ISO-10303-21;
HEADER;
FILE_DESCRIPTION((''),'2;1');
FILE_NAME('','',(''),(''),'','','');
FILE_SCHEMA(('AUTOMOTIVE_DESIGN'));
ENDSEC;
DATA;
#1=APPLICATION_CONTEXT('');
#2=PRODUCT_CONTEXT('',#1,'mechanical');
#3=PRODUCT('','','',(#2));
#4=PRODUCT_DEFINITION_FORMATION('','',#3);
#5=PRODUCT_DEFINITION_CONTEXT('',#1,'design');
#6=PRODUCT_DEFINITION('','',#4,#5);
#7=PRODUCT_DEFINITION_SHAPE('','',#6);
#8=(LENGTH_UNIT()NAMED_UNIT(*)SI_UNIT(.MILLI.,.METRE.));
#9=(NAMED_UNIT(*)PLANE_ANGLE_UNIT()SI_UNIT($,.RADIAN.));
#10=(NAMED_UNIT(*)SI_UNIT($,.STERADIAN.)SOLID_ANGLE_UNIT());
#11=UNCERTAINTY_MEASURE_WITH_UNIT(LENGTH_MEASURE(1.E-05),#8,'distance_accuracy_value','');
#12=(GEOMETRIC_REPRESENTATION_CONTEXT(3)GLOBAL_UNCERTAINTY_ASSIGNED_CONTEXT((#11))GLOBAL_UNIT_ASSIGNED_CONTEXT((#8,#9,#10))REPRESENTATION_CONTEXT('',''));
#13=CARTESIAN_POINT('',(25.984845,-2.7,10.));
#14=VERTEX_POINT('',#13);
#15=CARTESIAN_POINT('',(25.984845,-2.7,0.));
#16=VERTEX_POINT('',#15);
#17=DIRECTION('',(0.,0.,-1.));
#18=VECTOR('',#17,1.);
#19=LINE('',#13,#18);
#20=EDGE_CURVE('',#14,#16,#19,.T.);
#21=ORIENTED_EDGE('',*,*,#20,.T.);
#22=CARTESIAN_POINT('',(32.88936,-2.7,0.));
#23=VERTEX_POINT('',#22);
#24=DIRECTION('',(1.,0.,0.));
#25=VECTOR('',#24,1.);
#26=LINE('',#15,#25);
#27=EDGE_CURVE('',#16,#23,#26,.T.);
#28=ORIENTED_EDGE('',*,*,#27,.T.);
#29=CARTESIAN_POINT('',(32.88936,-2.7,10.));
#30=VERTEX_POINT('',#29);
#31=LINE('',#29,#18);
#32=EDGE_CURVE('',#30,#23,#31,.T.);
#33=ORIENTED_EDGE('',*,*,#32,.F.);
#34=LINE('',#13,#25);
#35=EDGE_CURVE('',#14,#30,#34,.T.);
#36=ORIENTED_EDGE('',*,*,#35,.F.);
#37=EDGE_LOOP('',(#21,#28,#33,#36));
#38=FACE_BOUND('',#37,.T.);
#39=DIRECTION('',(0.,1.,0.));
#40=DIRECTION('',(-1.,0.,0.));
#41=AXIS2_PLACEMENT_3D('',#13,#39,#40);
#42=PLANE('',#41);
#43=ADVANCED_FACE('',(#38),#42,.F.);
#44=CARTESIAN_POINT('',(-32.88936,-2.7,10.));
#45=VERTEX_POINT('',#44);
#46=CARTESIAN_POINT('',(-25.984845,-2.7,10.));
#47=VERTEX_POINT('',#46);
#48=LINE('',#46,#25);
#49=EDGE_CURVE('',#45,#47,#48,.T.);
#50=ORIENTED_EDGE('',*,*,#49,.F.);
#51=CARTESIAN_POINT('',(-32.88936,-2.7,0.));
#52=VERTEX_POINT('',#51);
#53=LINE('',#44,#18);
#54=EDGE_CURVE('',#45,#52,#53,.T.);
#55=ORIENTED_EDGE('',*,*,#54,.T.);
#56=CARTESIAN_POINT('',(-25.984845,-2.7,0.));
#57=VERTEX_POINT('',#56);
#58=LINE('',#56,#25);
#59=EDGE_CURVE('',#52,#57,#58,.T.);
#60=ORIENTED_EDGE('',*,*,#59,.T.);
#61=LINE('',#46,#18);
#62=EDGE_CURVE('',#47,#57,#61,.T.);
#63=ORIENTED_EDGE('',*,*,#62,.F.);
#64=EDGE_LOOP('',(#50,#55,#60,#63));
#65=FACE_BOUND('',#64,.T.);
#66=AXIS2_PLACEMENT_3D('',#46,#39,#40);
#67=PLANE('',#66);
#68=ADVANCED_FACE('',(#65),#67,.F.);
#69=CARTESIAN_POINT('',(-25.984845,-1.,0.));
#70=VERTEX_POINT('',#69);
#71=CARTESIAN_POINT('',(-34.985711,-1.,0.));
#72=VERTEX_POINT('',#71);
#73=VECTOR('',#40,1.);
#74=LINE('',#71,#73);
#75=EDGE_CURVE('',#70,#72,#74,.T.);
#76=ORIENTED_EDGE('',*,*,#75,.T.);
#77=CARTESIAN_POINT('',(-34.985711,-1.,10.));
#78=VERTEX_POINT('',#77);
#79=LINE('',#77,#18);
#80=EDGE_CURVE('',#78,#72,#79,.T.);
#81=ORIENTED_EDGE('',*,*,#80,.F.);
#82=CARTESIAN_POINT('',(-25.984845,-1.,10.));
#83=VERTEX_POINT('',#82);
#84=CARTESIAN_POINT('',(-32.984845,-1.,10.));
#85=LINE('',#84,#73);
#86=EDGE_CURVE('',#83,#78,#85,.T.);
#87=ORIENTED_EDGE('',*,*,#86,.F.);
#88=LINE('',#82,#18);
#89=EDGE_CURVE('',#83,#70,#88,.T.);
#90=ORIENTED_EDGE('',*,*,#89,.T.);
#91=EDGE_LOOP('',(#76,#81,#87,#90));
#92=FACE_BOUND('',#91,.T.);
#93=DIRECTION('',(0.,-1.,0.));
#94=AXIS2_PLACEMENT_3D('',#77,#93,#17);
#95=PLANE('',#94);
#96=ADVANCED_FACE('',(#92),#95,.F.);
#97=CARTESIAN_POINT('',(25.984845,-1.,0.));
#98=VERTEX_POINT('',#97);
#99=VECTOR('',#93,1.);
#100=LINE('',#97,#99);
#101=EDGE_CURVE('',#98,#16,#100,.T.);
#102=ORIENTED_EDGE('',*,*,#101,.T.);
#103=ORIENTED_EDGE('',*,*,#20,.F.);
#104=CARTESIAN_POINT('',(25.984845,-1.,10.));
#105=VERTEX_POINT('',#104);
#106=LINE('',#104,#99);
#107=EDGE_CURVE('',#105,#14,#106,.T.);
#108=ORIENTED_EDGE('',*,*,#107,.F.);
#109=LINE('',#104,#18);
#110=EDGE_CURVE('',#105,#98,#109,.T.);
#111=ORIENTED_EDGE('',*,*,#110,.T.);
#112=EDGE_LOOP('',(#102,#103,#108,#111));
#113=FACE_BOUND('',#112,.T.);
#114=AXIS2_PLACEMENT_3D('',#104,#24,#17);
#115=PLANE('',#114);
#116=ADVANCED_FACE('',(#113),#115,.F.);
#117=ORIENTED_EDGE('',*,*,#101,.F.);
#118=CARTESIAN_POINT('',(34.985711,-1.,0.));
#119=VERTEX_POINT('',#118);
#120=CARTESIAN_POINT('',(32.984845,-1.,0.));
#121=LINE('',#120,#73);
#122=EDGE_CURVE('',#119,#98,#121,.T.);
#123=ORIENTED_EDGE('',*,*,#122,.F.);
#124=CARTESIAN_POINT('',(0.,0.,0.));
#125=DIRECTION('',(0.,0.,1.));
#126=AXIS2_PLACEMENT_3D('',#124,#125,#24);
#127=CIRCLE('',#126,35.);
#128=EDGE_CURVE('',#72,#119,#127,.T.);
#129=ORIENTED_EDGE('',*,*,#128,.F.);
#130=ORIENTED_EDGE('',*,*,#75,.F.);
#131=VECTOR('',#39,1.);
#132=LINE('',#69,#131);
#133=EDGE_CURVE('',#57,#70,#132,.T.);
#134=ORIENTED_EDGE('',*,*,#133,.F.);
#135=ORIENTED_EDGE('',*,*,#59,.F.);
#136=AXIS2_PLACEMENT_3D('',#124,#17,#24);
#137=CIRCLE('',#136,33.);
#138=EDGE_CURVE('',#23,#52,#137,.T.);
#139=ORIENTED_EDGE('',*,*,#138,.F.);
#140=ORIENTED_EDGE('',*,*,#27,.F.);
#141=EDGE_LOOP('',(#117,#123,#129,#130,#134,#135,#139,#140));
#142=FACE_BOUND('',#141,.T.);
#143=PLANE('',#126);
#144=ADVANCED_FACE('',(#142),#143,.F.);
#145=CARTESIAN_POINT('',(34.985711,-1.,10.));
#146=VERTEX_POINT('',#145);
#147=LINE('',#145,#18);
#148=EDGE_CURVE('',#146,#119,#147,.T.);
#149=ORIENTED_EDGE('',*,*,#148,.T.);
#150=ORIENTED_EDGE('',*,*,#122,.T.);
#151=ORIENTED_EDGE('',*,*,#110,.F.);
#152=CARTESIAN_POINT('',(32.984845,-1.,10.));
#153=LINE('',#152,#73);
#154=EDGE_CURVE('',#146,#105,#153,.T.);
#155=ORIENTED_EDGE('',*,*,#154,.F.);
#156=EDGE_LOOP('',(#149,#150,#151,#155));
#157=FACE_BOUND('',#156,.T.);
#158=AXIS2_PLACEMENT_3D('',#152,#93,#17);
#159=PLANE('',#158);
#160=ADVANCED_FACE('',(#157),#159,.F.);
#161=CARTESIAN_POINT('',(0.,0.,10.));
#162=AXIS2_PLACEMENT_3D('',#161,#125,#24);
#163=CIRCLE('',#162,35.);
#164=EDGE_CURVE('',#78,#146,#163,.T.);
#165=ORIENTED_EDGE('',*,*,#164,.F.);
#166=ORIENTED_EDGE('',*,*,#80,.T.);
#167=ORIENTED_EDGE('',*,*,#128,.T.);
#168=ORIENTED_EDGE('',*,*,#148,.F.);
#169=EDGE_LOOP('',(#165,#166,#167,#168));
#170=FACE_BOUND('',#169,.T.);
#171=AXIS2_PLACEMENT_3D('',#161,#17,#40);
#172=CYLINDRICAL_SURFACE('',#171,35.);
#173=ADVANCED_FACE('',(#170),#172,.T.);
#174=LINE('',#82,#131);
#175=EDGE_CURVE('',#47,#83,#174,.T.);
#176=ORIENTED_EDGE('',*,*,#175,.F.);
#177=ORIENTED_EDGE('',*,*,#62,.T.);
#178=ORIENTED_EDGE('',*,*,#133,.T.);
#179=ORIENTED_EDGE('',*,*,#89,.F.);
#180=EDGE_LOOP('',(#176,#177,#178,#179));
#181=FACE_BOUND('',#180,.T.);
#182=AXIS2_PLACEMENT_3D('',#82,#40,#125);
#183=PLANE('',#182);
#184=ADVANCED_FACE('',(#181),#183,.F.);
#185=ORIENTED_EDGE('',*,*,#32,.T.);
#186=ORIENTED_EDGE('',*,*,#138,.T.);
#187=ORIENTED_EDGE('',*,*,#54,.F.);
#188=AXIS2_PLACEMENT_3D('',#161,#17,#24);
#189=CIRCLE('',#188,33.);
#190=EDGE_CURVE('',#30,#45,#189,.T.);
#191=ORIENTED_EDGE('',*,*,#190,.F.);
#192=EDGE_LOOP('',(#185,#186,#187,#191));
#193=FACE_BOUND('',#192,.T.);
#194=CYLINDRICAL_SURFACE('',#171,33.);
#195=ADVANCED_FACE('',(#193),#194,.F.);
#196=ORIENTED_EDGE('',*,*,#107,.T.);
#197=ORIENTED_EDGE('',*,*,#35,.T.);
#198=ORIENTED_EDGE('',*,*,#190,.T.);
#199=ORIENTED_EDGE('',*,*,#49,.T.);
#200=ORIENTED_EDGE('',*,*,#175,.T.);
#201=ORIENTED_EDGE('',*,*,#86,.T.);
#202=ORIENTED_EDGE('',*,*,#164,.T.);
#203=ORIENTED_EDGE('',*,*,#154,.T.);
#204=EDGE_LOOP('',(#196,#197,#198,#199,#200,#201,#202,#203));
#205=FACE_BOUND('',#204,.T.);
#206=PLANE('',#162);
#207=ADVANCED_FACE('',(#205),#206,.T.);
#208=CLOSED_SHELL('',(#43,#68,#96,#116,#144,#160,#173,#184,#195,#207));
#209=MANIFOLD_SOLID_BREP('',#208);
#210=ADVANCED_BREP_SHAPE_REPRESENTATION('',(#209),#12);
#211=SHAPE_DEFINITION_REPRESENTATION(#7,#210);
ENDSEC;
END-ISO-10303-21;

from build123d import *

# Parameters (mm, degrees)
BOSS_EXTRUDE1_DEPTH = 10


with BuildPart() as part:
    # Sketch1 → Boss-Extrude1 (new body)
    with BuildSketch(Plane.XY):
        with BuildLine():
            Line((-34.985711369, -1), (-32.984845005, -1))
            Line((-32.984845005, -1), (-25.984845005, -1))
            Line((-25.984845005, -1), (-25.984845005, -2.7))
            Line((-25.984845005, -2.7), (-32.889359982, -2.7))
            ThreePointArc((-32.889359982, -2.7), (0, -33), (32.889359982, -2.7))
            Line((32.889359982, -2.7), (25.984845005, -2.7))
            Line((25.984845005, -2.7), (25.984845005, -1))
            Line((25.984845005, -1), (32.984845005, -1))
            Line((32.984845005, -1), (34.985711369, -1))
            ThreePointArc((34.985711369, -1), (0, -35), (-34.985711369, -1))
        make_face()
    extrude(amount=BOSS_EXTRUDE1_DEPTH)


solid = part.part
